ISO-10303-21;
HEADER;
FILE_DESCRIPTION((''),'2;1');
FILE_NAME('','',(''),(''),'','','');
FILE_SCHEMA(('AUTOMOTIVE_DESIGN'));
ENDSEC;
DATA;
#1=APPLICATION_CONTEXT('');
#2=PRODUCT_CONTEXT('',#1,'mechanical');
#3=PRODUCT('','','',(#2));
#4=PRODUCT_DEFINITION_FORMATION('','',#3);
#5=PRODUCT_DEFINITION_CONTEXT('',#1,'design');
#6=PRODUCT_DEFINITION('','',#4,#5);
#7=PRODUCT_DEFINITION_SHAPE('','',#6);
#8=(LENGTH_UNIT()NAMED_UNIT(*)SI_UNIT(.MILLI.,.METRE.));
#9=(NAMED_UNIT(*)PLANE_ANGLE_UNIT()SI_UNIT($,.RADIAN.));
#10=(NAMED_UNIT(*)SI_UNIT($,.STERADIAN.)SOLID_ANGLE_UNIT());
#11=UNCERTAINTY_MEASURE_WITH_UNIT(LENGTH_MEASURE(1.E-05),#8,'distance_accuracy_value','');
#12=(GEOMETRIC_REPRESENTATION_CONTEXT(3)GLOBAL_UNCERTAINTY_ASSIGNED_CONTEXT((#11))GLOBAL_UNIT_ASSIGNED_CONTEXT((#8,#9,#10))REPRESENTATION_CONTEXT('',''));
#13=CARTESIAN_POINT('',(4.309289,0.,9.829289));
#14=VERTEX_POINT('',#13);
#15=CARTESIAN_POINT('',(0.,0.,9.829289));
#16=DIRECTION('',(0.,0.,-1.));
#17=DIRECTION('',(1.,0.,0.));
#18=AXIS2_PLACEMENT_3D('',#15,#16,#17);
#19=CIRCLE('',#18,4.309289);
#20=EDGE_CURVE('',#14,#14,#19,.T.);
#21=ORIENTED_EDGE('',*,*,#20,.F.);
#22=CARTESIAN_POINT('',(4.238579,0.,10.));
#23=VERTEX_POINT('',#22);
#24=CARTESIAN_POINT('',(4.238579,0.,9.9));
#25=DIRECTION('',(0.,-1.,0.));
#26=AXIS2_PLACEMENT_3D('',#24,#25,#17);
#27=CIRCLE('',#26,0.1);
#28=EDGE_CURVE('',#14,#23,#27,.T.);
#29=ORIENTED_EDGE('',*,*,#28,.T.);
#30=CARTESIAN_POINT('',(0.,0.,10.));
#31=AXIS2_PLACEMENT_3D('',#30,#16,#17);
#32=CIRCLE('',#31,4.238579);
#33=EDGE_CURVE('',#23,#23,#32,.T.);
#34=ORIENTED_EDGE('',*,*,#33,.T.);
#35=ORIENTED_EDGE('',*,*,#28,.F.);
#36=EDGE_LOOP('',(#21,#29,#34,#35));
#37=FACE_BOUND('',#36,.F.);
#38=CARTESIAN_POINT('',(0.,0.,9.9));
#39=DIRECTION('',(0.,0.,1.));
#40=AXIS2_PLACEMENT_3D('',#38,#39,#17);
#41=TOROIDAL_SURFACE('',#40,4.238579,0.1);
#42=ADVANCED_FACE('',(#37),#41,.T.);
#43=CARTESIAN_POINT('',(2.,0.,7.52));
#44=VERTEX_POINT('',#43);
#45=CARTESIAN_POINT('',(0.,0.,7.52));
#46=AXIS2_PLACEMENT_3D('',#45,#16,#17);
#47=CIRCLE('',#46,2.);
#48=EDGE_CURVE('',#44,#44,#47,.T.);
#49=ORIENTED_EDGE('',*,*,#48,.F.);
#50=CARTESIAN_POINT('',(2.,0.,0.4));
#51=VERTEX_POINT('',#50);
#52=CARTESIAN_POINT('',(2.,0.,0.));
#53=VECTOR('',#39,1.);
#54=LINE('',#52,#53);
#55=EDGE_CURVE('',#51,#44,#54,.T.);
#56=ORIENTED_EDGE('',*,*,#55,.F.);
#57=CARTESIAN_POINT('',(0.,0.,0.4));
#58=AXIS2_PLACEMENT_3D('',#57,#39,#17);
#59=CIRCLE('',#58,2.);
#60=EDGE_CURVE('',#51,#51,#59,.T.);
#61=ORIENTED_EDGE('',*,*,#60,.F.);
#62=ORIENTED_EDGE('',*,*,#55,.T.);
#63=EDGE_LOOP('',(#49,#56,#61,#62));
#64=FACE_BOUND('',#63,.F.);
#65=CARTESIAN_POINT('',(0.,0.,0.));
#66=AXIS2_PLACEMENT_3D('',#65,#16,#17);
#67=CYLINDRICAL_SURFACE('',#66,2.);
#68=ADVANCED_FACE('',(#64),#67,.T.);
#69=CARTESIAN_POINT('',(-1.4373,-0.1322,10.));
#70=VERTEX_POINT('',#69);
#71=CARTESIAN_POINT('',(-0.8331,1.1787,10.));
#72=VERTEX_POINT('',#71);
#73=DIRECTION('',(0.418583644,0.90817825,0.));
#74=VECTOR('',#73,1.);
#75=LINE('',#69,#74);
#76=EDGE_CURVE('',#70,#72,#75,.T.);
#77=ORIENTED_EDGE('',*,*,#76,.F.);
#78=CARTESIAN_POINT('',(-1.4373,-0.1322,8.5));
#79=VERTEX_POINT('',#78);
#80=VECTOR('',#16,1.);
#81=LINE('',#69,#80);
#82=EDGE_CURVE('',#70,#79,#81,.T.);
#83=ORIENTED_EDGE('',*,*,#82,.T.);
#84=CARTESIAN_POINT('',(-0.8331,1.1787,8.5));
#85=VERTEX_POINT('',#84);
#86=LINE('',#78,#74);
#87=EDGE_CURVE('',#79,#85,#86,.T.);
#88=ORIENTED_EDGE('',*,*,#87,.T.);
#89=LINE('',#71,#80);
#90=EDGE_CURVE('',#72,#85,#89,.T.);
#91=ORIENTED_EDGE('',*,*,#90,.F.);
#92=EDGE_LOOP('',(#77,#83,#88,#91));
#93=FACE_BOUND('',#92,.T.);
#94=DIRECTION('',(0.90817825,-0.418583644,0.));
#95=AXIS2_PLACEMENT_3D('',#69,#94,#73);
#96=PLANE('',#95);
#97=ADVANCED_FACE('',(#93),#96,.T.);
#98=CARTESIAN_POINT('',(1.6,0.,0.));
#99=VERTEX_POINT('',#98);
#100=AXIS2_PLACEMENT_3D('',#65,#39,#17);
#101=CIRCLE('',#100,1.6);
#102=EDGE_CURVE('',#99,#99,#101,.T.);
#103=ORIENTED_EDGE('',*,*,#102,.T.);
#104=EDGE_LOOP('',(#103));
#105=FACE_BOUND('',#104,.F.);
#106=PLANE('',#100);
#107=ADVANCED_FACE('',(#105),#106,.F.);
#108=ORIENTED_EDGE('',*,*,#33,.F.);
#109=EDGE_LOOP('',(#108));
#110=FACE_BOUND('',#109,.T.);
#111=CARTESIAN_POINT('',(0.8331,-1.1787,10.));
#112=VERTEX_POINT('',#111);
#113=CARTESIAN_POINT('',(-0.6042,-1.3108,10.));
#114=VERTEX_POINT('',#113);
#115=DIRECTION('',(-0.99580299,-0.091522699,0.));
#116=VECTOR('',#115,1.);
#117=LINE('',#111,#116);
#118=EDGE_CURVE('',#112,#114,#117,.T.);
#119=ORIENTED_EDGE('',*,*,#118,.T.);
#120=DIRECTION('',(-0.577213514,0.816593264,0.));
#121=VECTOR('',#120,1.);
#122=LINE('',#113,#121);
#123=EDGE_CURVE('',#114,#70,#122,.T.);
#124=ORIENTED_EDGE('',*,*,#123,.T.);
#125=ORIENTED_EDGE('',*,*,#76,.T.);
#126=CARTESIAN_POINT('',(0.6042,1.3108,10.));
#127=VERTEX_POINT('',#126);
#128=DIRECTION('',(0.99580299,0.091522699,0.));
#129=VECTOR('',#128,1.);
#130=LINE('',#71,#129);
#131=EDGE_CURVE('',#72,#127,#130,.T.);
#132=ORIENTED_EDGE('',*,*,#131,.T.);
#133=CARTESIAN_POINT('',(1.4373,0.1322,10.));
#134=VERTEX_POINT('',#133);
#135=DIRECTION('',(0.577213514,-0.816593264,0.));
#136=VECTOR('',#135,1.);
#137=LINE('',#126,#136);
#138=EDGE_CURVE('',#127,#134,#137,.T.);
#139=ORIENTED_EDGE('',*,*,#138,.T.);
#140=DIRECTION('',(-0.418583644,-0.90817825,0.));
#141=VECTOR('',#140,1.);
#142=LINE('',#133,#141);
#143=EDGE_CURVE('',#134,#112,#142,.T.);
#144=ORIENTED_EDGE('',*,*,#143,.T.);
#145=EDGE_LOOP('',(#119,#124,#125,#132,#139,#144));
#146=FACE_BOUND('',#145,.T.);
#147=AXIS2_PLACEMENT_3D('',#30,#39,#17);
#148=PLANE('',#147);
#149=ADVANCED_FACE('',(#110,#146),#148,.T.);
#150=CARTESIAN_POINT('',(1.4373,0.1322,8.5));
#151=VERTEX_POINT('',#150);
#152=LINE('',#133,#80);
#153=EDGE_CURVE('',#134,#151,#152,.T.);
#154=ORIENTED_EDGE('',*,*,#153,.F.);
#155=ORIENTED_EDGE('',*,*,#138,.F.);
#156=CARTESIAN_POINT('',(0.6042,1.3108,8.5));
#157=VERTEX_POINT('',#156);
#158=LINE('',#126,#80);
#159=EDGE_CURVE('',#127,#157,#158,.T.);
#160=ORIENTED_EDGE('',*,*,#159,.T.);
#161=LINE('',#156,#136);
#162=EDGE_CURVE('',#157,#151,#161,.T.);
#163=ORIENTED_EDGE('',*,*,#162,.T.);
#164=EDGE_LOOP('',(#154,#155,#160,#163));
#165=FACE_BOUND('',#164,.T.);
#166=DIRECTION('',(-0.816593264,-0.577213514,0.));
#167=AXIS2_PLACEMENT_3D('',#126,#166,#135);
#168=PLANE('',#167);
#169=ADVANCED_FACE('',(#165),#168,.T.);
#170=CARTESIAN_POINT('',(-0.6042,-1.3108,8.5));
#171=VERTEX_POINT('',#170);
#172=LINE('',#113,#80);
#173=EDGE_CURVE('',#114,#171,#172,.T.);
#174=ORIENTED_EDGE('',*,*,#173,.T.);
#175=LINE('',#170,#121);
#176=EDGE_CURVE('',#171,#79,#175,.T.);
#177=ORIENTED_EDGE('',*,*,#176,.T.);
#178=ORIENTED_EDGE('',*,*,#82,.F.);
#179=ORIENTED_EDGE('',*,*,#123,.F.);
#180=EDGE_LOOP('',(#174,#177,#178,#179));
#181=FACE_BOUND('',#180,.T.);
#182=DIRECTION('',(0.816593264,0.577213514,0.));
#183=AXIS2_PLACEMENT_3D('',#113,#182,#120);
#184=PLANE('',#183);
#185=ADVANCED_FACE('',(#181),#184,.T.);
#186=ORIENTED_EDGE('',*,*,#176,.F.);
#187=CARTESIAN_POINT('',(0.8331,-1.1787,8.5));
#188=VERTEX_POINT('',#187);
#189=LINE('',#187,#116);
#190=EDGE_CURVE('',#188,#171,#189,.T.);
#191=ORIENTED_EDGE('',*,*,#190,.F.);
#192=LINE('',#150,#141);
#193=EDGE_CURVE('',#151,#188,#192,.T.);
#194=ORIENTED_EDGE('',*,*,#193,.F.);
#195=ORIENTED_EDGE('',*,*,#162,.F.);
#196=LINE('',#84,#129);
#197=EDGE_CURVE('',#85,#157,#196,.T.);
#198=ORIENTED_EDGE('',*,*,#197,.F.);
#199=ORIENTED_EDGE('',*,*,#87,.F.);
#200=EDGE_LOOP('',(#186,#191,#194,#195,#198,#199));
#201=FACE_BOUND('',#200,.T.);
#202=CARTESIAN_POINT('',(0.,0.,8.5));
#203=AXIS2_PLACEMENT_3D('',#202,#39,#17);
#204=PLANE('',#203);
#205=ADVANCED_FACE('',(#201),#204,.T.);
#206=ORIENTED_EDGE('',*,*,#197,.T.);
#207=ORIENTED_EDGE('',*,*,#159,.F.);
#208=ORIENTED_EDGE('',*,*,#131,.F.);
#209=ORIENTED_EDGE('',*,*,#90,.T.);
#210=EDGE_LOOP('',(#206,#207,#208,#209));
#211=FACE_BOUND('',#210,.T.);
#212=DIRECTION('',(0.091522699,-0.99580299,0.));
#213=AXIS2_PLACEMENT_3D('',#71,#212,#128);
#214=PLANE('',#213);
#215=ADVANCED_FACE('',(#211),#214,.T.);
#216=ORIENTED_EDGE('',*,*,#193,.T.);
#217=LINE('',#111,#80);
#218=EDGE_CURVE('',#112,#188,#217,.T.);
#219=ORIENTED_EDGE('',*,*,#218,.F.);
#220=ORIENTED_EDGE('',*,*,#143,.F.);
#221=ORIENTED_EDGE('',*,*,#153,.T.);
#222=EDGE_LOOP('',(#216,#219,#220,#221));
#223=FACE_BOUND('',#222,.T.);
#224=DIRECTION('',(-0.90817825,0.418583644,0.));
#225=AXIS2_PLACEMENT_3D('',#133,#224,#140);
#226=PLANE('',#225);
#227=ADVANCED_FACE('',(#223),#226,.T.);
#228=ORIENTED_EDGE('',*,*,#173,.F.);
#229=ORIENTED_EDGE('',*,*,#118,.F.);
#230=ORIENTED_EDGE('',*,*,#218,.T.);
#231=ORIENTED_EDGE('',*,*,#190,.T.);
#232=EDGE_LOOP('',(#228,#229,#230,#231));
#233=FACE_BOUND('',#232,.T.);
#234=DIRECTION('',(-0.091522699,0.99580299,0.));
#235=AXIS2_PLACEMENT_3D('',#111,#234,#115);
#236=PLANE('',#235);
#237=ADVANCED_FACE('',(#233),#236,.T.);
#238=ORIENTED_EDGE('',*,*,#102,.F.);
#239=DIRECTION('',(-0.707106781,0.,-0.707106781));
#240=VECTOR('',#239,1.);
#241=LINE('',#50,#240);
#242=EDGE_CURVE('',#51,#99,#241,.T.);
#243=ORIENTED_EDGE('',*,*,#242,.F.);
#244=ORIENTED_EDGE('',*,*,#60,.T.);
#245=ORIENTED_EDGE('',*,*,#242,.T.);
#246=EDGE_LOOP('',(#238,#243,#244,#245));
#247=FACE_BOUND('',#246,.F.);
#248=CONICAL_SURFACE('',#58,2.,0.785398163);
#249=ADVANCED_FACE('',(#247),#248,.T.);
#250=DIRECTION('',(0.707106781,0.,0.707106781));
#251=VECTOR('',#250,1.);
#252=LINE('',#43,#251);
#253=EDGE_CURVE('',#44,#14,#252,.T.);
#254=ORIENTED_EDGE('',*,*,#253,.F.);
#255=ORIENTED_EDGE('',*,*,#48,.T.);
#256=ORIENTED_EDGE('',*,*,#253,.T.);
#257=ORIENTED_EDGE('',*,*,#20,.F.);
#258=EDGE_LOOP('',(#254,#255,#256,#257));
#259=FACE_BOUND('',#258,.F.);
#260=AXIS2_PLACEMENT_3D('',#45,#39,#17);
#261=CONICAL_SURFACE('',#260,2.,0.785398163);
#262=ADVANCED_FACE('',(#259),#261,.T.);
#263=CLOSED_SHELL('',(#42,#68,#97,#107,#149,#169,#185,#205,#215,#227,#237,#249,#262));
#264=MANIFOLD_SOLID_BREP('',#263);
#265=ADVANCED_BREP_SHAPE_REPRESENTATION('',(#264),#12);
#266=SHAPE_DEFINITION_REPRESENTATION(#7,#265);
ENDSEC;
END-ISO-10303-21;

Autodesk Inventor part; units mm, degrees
ref_plane "YZ Plane" through (0, 0, 0) normal (1, 0, 0) x (0, 1, 0)
ref_plane "XZ Plane" through (0, 0, 0) normal (0, 1, 0) x (-1, 0, 0)
ref_plane "XY Plane" through (0, 0, 0) normal (0, 0, 1) x (1, 0, 0)
sketch "Sketch1" plane through (0, 0, 0) normal (0, 0, 1) x (1, 0, 0)
  circle A0 centre (0, 0) radius 2
  dimension "Diameter" = 4
extrude "Extrusion1" add sketch "Sketch1" along normal blind 7.52
sketch "Sketch2" plane through (0, 0, 7.52) normal (0, 0, 1) x (1, 0, 0)
  circle A0 centre (0, 0) radius 2 projected
extrude "Extrusion2" add sketch "Sketch2" along normal blind 2.48 draft 45
sketch "Sketch3" plane through (0, 0, 10) normal (0, 0, 1) x (1, 0, 0)
  circle A0 centre (0, 0) radius 4.48 projected
  circle A1 centre (0, 0) radius 1.4434 construction
  line L0 (0.6042, 1.3108) -> (1.4373, 0.1322)
  line L1 (1.4373, 0.1322) -> (0.8331, -1.1787)
  line L2 (0.8331, -1.1787) -> (-0.6042, -1.3108)
  line L3 (-0.6042, -1.3108) -> (-1.4373, -0.1322)
  line L4 (-1.4373, -0.1322) -> (-0.8331, 1.1787)
  line L5 (-0.8331, 1.1787) -> (0.6042, 1.3108)
  dimension "Hex_Width" = 2.5
extrude "Extrusion3" cut sketch "Sketch3" against normal blind 1.5 contours L0 L1 L2 L3 L4 L5
thread "Thread1" size "M4x0.7" class "4g6g" standard "ANSI Metric M Profile" length 7.52
chamfer "Chamfer2" distance 0.4 angle 45 1 edges at (-2, 0, 0)
fillet "Fillet1" radius 0.1 1 edges at (-4.48, 0, 10)
equation "\"d10\" = Thread_Length"
equation "\"d13\" = Chamfer"
equation "\"Thread_Length\" = 7.52"
equation "\"Chamfer\" = 0.4"
properties part number "SCREW,FLAT HD,P,12.9,M4X0.7X10MM"
